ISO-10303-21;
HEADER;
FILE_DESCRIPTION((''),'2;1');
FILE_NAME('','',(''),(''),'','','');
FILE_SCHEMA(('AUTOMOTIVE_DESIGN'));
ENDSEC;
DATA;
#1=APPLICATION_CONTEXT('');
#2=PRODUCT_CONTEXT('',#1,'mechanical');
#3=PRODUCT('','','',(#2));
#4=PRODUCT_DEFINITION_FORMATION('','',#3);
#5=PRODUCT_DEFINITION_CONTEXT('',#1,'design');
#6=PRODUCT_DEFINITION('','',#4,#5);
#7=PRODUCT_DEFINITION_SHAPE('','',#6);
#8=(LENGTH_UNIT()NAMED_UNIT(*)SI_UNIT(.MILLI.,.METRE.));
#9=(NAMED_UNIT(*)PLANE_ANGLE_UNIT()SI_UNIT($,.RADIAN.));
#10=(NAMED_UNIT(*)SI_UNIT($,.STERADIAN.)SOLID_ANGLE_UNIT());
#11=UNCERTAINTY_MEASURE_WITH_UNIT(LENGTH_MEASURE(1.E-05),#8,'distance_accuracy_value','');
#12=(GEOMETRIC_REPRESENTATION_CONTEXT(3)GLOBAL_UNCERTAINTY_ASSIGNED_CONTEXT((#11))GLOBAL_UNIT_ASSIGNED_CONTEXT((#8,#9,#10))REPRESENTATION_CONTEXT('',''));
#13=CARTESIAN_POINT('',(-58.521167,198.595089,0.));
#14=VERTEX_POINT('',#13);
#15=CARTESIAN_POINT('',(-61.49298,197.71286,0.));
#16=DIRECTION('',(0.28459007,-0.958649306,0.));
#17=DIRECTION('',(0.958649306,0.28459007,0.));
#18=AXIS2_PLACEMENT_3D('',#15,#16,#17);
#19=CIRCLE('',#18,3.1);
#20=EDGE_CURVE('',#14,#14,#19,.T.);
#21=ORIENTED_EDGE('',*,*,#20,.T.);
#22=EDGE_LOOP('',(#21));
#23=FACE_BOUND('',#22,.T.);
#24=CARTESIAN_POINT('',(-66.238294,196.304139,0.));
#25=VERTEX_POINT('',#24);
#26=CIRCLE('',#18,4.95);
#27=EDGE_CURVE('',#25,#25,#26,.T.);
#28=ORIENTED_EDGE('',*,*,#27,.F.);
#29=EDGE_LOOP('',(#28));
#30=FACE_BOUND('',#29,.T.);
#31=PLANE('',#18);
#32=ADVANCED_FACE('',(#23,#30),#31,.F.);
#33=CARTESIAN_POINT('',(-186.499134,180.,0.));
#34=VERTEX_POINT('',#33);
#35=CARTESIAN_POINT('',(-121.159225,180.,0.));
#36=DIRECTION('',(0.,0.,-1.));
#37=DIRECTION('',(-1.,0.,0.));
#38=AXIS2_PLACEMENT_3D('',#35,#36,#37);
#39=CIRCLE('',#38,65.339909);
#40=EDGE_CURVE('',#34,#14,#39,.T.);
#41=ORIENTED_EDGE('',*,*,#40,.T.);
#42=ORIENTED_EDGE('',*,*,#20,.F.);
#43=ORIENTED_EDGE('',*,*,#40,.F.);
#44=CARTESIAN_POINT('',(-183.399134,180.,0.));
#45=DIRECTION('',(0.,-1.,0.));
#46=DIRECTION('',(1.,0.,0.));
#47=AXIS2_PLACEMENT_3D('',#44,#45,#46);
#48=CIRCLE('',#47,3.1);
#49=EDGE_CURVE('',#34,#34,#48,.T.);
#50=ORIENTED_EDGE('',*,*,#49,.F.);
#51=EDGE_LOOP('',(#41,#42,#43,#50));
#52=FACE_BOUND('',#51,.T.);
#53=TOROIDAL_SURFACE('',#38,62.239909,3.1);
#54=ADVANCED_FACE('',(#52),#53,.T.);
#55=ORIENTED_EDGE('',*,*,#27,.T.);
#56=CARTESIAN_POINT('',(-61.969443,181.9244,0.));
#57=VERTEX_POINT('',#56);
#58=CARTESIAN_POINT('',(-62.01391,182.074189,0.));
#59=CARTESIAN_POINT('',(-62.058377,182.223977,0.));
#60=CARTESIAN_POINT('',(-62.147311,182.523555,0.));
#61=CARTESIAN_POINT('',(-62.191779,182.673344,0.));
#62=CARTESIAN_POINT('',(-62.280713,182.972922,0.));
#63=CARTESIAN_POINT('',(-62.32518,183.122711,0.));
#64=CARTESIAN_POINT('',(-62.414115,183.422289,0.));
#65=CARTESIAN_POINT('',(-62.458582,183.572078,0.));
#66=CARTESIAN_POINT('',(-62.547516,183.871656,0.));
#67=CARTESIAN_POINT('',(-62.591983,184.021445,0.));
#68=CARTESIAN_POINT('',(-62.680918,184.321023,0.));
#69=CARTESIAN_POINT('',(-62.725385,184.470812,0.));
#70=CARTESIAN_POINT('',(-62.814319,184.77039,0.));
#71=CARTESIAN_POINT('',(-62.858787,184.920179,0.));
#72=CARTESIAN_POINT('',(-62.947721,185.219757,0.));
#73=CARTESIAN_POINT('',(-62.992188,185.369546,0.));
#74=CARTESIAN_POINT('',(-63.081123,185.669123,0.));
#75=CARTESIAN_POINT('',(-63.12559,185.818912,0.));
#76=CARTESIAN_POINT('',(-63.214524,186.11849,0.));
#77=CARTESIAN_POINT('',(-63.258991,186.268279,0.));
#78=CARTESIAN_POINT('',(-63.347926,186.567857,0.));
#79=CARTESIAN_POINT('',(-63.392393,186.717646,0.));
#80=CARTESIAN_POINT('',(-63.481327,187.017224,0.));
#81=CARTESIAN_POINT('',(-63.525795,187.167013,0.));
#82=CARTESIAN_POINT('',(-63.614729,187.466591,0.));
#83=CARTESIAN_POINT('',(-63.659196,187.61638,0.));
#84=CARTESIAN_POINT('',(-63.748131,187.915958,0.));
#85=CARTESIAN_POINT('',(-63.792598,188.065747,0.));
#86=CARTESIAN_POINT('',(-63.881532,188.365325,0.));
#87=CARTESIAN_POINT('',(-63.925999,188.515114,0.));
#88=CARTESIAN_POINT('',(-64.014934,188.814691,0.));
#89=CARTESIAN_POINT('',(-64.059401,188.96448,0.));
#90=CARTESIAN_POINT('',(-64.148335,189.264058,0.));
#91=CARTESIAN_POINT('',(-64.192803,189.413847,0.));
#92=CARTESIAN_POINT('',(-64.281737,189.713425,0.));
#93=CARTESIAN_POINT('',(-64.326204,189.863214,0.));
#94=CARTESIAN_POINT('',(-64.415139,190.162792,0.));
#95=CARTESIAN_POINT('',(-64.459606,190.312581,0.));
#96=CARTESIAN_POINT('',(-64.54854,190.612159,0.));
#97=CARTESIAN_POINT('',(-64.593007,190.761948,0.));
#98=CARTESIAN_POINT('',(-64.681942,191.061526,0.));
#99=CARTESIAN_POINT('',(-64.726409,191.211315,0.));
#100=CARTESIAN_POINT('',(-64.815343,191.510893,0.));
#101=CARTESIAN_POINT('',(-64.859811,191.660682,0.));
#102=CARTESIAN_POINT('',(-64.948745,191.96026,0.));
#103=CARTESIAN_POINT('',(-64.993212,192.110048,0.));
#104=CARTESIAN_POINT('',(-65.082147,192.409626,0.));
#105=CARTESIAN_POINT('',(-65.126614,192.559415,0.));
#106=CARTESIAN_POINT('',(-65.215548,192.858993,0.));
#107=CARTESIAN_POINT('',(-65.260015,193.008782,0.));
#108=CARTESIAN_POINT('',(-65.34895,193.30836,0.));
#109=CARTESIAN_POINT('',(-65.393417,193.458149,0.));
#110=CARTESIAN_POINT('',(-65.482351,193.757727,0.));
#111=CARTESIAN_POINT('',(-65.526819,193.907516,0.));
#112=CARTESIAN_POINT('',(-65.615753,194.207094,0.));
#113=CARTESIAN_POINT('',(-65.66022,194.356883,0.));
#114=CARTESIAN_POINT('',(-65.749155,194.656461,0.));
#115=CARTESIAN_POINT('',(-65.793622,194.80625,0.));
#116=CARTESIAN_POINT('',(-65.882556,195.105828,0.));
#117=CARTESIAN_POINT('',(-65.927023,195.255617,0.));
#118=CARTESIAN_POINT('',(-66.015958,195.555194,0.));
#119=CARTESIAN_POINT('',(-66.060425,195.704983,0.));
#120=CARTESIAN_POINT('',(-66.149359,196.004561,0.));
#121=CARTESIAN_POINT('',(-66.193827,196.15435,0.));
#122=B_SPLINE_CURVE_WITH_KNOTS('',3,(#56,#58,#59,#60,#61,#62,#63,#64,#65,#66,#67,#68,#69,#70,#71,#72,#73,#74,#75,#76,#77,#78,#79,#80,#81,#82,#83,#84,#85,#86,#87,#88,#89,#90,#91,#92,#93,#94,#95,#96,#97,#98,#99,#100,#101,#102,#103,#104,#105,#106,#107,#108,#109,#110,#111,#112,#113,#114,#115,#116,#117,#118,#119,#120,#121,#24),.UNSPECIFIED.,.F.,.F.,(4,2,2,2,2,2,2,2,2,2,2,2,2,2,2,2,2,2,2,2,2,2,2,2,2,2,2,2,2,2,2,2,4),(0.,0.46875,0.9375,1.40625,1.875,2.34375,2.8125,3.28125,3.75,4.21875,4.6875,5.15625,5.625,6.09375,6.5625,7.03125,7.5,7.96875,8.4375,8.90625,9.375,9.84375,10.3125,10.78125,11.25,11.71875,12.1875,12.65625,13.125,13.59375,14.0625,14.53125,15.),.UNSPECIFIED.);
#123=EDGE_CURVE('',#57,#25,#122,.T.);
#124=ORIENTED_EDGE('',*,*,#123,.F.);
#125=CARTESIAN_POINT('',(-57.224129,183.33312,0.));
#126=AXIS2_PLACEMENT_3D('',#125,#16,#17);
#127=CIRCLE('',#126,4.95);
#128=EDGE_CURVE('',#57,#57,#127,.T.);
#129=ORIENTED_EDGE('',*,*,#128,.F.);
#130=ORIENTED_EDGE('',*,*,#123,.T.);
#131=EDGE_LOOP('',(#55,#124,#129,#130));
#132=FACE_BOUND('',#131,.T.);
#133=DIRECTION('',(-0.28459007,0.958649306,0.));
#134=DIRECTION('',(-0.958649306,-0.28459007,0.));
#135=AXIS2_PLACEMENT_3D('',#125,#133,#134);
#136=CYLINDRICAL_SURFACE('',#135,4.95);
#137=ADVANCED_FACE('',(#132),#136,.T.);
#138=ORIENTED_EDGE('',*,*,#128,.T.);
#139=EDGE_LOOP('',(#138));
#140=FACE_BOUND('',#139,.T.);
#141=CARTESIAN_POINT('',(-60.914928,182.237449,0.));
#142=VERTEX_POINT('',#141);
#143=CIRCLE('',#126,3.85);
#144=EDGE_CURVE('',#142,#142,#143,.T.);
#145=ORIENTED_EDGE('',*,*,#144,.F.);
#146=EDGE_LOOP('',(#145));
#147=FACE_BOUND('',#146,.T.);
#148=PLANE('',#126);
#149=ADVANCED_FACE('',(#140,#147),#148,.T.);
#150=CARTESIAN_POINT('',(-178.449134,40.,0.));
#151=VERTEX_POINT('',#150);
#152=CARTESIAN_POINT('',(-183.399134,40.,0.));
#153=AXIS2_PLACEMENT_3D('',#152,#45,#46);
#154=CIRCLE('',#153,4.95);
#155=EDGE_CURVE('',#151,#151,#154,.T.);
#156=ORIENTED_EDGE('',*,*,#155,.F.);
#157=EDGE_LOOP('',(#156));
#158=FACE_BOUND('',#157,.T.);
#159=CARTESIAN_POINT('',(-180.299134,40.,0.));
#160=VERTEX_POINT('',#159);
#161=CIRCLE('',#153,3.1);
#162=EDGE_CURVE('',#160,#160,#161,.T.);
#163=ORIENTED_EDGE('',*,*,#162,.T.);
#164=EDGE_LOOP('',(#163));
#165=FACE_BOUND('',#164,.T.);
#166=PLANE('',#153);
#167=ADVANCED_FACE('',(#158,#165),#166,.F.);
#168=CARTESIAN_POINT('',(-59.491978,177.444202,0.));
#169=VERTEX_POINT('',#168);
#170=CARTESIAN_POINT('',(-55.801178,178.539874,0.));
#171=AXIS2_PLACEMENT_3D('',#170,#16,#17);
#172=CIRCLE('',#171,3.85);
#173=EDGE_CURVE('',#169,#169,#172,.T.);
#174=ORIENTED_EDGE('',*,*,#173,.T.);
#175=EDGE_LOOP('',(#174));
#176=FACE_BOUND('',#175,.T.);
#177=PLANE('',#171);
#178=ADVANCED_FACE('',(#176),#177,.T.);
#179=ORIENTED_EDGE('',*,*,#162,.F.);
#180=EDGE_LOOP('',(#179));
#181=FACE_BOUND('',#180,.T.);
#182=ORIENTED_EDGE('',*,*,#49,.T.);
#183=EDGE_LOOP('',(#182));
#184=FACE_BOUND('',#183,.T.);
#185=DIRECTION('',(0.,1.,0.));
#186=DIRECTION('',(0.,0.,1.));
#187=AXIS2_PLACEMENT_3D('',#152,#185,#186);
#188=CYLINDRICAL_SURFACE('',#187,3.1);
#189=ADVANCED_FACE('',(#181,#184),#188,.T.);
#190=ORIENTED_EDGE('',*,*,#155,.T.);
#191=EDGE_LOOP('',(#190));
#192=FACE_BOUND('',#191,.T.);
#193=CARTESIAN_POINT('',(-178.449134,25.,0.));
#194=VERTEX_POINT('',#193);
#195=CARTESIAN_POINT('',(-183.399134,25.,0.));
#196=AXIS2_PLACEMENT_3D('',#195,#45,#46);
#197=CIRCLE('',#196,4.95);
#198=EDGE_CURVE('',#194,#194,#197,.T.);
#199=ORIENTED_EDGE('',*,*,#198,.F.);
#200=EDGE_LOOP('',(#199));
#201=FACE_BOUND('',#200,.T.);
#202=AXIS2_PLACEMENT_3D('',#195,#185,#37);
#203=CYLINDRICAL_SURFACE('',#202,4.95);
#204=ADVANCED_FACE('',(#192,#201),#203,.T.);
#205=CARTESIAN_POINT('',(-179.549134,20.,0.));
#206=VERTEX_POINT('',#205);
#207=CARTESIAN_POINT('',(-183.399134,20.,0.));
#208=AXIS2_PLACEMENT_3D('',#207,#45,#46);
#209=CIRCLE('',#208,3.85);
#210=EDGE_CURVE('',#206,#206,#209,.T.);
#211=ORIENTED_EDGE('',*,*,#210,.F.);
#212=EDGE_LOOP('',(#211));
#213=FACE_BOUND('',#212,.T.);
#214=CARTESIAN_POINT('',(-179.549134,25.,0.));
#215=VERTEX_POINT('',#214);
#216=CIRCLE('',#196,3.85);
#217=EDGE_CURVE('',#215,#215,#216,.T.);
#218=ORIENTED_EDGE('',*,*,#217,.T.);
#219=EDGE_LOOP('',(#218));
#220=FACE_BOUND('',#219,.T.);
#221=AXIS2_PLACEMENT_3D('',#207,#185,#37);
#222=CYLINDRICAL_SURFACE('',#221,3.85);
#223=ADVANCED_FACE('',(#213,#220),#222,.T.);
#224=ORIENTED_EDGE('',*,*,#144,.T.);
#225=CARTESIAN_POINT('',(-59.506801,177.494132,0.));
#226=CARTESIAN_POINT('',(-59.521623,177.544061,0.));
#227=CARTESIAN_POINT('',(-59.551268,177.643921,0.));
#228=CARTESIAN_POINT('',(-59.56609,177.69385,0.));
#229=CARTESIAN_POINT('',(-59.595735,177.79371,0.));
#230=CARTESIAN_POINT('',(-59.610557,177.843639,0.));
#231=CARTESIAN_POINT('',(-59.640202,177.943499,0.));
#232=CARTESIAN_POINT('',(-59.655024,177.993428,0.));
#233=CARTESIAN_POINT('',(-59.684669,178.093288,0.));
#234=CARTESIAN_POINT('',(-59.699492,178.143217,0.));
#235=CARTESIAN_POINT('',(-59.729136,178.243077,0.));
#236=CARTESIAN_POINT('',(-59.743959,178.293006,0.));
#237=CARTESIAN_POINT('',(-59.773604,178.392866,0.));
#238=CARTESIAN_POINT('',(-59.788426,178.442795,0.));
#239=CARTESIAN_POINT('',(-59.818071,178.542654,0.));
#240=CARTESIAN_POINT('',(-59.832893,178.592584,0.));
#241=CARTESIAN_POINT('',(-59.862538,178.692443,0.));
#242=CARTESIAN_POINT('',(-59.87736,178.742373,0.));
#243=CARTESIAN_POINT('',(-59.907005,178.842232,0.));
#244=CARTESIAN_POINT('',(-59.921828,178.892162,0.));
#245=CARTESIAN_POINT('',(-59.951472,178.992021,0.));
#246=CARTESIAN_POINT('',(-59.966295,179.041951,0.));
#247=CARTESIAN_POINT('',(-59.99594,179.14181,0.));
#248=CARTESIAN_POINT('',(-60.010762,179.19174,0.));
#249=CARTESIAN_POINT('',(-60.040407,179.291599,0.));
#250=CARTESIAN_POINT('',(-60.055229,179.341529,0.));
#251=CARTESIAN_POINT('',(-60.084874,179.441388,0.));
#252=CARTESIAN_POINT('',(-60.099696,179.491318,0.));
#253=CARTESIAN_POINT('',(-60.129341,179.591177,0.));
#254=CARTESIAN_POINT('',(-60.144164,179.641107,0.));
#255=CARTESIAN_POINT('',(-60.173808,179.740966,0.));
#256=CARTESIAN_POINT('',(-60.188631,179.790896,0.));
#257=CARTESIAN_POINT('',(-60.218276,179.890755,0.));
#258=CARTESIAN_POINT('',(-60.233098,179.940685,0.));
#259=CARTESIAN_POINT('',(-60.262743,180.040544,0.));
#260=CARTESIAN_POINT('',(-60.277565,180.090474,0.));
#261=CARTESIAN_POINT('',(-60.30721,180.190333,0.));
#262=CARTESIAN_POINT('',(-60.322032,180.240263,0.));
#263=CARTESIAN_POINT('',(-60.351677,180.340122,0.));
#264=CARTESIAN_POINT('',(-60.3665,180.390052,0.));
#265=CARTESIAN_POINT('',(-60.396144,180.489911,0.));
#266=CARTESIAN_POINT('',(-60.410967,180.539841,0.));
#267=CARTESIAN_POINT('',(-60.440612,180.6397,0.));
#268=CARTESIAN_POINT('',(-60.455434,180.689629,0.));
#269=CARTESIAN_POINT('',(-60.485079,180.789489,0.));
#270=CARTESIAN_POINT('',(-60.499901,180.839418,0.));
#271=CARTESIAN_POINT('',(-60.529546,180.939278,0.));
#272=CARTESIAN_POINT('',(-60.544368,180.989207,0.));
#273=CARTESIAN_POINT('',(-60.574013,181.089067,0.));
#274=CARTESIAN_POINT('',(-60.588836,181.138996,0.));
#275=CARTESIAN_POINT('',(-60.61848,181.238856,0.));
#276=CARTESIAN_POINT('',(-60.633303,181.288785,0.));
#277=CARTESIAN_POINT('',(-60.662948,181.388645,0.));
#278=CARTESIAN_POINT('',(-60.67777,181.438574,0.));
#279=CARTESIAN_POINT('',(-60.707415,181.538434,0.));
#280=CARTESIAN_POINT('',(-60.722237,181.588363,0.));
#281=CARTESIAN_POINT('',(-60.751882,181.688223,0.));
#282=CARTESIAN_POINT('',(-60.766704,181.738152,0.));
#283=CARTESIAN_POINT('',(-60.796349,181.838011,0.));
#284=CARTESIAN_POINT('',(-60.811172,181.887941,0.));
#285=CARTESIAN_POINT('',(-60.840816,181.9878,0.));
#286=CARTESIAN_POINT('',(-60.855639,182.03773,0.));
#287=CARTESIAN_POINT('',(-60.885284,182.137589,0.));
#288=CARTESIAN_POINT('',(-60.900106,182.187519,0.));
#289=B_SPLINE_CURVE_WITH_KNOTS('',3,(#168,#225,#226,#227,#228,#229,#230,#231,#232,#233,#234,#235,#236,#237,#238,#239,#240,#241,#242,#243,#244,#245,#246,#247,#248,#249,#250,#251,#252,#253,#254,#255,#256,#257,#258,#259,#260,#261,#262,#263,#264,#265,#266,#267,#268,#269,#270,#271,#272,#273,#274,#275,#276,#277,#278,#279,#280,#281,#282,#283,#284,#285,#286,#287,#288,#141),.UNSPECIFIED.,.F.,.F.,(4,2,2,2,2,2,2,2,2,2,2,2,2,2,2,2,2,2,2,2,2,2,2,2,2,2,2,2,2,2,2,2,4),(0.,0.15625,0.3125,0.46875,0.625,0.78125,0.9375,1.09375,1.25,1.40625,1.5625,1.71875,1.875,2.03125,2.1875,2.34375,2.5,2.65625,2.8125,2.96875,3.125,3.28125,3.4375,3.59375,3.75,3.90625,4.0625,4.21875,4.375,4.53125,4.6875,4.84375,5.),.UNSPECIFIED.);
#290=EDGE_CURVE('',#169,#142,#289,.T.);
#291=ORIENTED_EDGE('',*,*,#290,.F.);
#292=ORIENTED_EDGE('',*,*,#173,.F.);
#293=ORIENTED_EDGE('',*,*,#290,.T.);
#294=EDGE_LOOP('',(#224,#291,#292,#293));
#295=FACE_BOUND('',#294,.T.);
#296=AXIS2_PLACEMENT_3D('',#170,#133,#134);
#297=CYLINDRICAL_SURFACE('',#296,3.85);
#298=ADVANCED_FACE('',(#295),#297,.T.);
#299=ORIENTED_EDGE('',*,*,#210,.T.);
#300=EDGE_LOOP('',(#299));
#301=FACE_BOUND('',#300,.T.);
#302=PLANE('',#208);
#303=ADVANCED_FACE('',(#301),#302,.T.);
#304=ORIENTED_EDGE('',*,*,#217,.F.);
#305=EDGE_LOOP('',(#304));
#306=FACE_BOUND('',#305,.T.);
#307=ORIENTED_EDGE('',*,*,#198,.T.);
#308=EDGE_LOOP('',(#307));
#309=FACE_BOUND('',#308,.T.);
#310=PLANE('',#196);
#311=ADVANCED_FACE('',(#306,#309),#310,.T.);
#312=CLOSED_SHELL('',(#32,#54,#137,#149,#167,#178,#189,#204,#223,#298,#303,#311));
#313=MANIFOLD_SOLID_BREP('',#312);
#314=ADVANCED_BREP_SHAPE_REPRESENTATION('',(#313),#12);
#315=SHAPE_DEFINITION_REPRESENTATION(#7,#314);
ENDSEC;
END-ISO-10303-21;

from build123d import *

# Parameters (mm, degrees)
SWEEP3_PROFILE_R    = 3.1
SKETCH17_R          = 4.95
BOSS_EXTRUDE1_DEPTH = 15
SKETCH18_R          = 3.85
BOSS_EXTRUDE2_DEPTH = 5
SKETCH19_R          = 4.95
BOSS_EXTRUDE3_DEPTH = 15
SKETCH20_R          = 3.85
BOSS_EXTRUDE4_DEPTH = 5


with BuildPart() as part:
    # Sweep3: sweep along a path in Sketch9
    with BuildLine(Plane.XY) as sweep3_path:
        Line((-183.399133976, 40), (-183.399133976, 180))
        ThreePointArc((-183.399133976, 180), (-130.108654619, 241.593132461), (-61.492979679, 197.712860026))
    # Sweep3 profile (on start of the path) → Sweep3 (sweep)
    with BuildSketch(Plane(origin=(-183.399133976, 40, 0), x_dir=(0, 0, 1), z_dir=(0, 1, 0))):
        Circle(SWEEP3_PROFILE_R)
    sweep(path=sweep3_path.line)

    # Sketch17 → Boss-Extrude1 (add)
    with BuildSketch(Plane.XZ.offset(-40)):
        with Locations((-183.399133976, 0)):
            Circle(SKETCH17_R)
    extrude(amount=BOSS_EXTRUDE1_DEPTH)

    # Sketch18 → Boss-Extrude2 (add)
    with BuildSketch(Plane.XZ.offset(-25)):
        with Locations((-183.399133976, 0)):
            Circle(SKETCH18_R)
    extrude(amount=BOSS_EXTRUDE2_DEPTH)

    # Sketch19 → Boss-Extrude3 (add)
    with BuildSketch(Plane(origin=(-58.920841531, 198.476439545, 0), x_dir=(0.9586493060523679, 0.28459007011017384, 0), z_dir=(0.2845900701101738, -0.9586493060523678, 0))):
        with Locations(Location((-2.6830856, 0, 0), (0, 0, 180))):
            Circle(SKETCH19_R)
    extrude(amount=BOSS_EXTRUDE3_DEPTH)

    # Sketch20 → Boss-Extrude4 (add)
    with BuildSketch(Plane(origin=(-54.651990479, 184.096699954, 0), x_dir=(0.9586493060523679, 0.2845900701101739, 0), z_dir=(0.28459007011017384, -0.9586493060523678, 0))):
        with Locations(Location((-2.6830856, 0, 0), (0, 0, 180))):
            Circle(SKETCH20_R)
    extrude(amount=BOSS_EXTRUDE4_DEPTH)


solid = part.part
